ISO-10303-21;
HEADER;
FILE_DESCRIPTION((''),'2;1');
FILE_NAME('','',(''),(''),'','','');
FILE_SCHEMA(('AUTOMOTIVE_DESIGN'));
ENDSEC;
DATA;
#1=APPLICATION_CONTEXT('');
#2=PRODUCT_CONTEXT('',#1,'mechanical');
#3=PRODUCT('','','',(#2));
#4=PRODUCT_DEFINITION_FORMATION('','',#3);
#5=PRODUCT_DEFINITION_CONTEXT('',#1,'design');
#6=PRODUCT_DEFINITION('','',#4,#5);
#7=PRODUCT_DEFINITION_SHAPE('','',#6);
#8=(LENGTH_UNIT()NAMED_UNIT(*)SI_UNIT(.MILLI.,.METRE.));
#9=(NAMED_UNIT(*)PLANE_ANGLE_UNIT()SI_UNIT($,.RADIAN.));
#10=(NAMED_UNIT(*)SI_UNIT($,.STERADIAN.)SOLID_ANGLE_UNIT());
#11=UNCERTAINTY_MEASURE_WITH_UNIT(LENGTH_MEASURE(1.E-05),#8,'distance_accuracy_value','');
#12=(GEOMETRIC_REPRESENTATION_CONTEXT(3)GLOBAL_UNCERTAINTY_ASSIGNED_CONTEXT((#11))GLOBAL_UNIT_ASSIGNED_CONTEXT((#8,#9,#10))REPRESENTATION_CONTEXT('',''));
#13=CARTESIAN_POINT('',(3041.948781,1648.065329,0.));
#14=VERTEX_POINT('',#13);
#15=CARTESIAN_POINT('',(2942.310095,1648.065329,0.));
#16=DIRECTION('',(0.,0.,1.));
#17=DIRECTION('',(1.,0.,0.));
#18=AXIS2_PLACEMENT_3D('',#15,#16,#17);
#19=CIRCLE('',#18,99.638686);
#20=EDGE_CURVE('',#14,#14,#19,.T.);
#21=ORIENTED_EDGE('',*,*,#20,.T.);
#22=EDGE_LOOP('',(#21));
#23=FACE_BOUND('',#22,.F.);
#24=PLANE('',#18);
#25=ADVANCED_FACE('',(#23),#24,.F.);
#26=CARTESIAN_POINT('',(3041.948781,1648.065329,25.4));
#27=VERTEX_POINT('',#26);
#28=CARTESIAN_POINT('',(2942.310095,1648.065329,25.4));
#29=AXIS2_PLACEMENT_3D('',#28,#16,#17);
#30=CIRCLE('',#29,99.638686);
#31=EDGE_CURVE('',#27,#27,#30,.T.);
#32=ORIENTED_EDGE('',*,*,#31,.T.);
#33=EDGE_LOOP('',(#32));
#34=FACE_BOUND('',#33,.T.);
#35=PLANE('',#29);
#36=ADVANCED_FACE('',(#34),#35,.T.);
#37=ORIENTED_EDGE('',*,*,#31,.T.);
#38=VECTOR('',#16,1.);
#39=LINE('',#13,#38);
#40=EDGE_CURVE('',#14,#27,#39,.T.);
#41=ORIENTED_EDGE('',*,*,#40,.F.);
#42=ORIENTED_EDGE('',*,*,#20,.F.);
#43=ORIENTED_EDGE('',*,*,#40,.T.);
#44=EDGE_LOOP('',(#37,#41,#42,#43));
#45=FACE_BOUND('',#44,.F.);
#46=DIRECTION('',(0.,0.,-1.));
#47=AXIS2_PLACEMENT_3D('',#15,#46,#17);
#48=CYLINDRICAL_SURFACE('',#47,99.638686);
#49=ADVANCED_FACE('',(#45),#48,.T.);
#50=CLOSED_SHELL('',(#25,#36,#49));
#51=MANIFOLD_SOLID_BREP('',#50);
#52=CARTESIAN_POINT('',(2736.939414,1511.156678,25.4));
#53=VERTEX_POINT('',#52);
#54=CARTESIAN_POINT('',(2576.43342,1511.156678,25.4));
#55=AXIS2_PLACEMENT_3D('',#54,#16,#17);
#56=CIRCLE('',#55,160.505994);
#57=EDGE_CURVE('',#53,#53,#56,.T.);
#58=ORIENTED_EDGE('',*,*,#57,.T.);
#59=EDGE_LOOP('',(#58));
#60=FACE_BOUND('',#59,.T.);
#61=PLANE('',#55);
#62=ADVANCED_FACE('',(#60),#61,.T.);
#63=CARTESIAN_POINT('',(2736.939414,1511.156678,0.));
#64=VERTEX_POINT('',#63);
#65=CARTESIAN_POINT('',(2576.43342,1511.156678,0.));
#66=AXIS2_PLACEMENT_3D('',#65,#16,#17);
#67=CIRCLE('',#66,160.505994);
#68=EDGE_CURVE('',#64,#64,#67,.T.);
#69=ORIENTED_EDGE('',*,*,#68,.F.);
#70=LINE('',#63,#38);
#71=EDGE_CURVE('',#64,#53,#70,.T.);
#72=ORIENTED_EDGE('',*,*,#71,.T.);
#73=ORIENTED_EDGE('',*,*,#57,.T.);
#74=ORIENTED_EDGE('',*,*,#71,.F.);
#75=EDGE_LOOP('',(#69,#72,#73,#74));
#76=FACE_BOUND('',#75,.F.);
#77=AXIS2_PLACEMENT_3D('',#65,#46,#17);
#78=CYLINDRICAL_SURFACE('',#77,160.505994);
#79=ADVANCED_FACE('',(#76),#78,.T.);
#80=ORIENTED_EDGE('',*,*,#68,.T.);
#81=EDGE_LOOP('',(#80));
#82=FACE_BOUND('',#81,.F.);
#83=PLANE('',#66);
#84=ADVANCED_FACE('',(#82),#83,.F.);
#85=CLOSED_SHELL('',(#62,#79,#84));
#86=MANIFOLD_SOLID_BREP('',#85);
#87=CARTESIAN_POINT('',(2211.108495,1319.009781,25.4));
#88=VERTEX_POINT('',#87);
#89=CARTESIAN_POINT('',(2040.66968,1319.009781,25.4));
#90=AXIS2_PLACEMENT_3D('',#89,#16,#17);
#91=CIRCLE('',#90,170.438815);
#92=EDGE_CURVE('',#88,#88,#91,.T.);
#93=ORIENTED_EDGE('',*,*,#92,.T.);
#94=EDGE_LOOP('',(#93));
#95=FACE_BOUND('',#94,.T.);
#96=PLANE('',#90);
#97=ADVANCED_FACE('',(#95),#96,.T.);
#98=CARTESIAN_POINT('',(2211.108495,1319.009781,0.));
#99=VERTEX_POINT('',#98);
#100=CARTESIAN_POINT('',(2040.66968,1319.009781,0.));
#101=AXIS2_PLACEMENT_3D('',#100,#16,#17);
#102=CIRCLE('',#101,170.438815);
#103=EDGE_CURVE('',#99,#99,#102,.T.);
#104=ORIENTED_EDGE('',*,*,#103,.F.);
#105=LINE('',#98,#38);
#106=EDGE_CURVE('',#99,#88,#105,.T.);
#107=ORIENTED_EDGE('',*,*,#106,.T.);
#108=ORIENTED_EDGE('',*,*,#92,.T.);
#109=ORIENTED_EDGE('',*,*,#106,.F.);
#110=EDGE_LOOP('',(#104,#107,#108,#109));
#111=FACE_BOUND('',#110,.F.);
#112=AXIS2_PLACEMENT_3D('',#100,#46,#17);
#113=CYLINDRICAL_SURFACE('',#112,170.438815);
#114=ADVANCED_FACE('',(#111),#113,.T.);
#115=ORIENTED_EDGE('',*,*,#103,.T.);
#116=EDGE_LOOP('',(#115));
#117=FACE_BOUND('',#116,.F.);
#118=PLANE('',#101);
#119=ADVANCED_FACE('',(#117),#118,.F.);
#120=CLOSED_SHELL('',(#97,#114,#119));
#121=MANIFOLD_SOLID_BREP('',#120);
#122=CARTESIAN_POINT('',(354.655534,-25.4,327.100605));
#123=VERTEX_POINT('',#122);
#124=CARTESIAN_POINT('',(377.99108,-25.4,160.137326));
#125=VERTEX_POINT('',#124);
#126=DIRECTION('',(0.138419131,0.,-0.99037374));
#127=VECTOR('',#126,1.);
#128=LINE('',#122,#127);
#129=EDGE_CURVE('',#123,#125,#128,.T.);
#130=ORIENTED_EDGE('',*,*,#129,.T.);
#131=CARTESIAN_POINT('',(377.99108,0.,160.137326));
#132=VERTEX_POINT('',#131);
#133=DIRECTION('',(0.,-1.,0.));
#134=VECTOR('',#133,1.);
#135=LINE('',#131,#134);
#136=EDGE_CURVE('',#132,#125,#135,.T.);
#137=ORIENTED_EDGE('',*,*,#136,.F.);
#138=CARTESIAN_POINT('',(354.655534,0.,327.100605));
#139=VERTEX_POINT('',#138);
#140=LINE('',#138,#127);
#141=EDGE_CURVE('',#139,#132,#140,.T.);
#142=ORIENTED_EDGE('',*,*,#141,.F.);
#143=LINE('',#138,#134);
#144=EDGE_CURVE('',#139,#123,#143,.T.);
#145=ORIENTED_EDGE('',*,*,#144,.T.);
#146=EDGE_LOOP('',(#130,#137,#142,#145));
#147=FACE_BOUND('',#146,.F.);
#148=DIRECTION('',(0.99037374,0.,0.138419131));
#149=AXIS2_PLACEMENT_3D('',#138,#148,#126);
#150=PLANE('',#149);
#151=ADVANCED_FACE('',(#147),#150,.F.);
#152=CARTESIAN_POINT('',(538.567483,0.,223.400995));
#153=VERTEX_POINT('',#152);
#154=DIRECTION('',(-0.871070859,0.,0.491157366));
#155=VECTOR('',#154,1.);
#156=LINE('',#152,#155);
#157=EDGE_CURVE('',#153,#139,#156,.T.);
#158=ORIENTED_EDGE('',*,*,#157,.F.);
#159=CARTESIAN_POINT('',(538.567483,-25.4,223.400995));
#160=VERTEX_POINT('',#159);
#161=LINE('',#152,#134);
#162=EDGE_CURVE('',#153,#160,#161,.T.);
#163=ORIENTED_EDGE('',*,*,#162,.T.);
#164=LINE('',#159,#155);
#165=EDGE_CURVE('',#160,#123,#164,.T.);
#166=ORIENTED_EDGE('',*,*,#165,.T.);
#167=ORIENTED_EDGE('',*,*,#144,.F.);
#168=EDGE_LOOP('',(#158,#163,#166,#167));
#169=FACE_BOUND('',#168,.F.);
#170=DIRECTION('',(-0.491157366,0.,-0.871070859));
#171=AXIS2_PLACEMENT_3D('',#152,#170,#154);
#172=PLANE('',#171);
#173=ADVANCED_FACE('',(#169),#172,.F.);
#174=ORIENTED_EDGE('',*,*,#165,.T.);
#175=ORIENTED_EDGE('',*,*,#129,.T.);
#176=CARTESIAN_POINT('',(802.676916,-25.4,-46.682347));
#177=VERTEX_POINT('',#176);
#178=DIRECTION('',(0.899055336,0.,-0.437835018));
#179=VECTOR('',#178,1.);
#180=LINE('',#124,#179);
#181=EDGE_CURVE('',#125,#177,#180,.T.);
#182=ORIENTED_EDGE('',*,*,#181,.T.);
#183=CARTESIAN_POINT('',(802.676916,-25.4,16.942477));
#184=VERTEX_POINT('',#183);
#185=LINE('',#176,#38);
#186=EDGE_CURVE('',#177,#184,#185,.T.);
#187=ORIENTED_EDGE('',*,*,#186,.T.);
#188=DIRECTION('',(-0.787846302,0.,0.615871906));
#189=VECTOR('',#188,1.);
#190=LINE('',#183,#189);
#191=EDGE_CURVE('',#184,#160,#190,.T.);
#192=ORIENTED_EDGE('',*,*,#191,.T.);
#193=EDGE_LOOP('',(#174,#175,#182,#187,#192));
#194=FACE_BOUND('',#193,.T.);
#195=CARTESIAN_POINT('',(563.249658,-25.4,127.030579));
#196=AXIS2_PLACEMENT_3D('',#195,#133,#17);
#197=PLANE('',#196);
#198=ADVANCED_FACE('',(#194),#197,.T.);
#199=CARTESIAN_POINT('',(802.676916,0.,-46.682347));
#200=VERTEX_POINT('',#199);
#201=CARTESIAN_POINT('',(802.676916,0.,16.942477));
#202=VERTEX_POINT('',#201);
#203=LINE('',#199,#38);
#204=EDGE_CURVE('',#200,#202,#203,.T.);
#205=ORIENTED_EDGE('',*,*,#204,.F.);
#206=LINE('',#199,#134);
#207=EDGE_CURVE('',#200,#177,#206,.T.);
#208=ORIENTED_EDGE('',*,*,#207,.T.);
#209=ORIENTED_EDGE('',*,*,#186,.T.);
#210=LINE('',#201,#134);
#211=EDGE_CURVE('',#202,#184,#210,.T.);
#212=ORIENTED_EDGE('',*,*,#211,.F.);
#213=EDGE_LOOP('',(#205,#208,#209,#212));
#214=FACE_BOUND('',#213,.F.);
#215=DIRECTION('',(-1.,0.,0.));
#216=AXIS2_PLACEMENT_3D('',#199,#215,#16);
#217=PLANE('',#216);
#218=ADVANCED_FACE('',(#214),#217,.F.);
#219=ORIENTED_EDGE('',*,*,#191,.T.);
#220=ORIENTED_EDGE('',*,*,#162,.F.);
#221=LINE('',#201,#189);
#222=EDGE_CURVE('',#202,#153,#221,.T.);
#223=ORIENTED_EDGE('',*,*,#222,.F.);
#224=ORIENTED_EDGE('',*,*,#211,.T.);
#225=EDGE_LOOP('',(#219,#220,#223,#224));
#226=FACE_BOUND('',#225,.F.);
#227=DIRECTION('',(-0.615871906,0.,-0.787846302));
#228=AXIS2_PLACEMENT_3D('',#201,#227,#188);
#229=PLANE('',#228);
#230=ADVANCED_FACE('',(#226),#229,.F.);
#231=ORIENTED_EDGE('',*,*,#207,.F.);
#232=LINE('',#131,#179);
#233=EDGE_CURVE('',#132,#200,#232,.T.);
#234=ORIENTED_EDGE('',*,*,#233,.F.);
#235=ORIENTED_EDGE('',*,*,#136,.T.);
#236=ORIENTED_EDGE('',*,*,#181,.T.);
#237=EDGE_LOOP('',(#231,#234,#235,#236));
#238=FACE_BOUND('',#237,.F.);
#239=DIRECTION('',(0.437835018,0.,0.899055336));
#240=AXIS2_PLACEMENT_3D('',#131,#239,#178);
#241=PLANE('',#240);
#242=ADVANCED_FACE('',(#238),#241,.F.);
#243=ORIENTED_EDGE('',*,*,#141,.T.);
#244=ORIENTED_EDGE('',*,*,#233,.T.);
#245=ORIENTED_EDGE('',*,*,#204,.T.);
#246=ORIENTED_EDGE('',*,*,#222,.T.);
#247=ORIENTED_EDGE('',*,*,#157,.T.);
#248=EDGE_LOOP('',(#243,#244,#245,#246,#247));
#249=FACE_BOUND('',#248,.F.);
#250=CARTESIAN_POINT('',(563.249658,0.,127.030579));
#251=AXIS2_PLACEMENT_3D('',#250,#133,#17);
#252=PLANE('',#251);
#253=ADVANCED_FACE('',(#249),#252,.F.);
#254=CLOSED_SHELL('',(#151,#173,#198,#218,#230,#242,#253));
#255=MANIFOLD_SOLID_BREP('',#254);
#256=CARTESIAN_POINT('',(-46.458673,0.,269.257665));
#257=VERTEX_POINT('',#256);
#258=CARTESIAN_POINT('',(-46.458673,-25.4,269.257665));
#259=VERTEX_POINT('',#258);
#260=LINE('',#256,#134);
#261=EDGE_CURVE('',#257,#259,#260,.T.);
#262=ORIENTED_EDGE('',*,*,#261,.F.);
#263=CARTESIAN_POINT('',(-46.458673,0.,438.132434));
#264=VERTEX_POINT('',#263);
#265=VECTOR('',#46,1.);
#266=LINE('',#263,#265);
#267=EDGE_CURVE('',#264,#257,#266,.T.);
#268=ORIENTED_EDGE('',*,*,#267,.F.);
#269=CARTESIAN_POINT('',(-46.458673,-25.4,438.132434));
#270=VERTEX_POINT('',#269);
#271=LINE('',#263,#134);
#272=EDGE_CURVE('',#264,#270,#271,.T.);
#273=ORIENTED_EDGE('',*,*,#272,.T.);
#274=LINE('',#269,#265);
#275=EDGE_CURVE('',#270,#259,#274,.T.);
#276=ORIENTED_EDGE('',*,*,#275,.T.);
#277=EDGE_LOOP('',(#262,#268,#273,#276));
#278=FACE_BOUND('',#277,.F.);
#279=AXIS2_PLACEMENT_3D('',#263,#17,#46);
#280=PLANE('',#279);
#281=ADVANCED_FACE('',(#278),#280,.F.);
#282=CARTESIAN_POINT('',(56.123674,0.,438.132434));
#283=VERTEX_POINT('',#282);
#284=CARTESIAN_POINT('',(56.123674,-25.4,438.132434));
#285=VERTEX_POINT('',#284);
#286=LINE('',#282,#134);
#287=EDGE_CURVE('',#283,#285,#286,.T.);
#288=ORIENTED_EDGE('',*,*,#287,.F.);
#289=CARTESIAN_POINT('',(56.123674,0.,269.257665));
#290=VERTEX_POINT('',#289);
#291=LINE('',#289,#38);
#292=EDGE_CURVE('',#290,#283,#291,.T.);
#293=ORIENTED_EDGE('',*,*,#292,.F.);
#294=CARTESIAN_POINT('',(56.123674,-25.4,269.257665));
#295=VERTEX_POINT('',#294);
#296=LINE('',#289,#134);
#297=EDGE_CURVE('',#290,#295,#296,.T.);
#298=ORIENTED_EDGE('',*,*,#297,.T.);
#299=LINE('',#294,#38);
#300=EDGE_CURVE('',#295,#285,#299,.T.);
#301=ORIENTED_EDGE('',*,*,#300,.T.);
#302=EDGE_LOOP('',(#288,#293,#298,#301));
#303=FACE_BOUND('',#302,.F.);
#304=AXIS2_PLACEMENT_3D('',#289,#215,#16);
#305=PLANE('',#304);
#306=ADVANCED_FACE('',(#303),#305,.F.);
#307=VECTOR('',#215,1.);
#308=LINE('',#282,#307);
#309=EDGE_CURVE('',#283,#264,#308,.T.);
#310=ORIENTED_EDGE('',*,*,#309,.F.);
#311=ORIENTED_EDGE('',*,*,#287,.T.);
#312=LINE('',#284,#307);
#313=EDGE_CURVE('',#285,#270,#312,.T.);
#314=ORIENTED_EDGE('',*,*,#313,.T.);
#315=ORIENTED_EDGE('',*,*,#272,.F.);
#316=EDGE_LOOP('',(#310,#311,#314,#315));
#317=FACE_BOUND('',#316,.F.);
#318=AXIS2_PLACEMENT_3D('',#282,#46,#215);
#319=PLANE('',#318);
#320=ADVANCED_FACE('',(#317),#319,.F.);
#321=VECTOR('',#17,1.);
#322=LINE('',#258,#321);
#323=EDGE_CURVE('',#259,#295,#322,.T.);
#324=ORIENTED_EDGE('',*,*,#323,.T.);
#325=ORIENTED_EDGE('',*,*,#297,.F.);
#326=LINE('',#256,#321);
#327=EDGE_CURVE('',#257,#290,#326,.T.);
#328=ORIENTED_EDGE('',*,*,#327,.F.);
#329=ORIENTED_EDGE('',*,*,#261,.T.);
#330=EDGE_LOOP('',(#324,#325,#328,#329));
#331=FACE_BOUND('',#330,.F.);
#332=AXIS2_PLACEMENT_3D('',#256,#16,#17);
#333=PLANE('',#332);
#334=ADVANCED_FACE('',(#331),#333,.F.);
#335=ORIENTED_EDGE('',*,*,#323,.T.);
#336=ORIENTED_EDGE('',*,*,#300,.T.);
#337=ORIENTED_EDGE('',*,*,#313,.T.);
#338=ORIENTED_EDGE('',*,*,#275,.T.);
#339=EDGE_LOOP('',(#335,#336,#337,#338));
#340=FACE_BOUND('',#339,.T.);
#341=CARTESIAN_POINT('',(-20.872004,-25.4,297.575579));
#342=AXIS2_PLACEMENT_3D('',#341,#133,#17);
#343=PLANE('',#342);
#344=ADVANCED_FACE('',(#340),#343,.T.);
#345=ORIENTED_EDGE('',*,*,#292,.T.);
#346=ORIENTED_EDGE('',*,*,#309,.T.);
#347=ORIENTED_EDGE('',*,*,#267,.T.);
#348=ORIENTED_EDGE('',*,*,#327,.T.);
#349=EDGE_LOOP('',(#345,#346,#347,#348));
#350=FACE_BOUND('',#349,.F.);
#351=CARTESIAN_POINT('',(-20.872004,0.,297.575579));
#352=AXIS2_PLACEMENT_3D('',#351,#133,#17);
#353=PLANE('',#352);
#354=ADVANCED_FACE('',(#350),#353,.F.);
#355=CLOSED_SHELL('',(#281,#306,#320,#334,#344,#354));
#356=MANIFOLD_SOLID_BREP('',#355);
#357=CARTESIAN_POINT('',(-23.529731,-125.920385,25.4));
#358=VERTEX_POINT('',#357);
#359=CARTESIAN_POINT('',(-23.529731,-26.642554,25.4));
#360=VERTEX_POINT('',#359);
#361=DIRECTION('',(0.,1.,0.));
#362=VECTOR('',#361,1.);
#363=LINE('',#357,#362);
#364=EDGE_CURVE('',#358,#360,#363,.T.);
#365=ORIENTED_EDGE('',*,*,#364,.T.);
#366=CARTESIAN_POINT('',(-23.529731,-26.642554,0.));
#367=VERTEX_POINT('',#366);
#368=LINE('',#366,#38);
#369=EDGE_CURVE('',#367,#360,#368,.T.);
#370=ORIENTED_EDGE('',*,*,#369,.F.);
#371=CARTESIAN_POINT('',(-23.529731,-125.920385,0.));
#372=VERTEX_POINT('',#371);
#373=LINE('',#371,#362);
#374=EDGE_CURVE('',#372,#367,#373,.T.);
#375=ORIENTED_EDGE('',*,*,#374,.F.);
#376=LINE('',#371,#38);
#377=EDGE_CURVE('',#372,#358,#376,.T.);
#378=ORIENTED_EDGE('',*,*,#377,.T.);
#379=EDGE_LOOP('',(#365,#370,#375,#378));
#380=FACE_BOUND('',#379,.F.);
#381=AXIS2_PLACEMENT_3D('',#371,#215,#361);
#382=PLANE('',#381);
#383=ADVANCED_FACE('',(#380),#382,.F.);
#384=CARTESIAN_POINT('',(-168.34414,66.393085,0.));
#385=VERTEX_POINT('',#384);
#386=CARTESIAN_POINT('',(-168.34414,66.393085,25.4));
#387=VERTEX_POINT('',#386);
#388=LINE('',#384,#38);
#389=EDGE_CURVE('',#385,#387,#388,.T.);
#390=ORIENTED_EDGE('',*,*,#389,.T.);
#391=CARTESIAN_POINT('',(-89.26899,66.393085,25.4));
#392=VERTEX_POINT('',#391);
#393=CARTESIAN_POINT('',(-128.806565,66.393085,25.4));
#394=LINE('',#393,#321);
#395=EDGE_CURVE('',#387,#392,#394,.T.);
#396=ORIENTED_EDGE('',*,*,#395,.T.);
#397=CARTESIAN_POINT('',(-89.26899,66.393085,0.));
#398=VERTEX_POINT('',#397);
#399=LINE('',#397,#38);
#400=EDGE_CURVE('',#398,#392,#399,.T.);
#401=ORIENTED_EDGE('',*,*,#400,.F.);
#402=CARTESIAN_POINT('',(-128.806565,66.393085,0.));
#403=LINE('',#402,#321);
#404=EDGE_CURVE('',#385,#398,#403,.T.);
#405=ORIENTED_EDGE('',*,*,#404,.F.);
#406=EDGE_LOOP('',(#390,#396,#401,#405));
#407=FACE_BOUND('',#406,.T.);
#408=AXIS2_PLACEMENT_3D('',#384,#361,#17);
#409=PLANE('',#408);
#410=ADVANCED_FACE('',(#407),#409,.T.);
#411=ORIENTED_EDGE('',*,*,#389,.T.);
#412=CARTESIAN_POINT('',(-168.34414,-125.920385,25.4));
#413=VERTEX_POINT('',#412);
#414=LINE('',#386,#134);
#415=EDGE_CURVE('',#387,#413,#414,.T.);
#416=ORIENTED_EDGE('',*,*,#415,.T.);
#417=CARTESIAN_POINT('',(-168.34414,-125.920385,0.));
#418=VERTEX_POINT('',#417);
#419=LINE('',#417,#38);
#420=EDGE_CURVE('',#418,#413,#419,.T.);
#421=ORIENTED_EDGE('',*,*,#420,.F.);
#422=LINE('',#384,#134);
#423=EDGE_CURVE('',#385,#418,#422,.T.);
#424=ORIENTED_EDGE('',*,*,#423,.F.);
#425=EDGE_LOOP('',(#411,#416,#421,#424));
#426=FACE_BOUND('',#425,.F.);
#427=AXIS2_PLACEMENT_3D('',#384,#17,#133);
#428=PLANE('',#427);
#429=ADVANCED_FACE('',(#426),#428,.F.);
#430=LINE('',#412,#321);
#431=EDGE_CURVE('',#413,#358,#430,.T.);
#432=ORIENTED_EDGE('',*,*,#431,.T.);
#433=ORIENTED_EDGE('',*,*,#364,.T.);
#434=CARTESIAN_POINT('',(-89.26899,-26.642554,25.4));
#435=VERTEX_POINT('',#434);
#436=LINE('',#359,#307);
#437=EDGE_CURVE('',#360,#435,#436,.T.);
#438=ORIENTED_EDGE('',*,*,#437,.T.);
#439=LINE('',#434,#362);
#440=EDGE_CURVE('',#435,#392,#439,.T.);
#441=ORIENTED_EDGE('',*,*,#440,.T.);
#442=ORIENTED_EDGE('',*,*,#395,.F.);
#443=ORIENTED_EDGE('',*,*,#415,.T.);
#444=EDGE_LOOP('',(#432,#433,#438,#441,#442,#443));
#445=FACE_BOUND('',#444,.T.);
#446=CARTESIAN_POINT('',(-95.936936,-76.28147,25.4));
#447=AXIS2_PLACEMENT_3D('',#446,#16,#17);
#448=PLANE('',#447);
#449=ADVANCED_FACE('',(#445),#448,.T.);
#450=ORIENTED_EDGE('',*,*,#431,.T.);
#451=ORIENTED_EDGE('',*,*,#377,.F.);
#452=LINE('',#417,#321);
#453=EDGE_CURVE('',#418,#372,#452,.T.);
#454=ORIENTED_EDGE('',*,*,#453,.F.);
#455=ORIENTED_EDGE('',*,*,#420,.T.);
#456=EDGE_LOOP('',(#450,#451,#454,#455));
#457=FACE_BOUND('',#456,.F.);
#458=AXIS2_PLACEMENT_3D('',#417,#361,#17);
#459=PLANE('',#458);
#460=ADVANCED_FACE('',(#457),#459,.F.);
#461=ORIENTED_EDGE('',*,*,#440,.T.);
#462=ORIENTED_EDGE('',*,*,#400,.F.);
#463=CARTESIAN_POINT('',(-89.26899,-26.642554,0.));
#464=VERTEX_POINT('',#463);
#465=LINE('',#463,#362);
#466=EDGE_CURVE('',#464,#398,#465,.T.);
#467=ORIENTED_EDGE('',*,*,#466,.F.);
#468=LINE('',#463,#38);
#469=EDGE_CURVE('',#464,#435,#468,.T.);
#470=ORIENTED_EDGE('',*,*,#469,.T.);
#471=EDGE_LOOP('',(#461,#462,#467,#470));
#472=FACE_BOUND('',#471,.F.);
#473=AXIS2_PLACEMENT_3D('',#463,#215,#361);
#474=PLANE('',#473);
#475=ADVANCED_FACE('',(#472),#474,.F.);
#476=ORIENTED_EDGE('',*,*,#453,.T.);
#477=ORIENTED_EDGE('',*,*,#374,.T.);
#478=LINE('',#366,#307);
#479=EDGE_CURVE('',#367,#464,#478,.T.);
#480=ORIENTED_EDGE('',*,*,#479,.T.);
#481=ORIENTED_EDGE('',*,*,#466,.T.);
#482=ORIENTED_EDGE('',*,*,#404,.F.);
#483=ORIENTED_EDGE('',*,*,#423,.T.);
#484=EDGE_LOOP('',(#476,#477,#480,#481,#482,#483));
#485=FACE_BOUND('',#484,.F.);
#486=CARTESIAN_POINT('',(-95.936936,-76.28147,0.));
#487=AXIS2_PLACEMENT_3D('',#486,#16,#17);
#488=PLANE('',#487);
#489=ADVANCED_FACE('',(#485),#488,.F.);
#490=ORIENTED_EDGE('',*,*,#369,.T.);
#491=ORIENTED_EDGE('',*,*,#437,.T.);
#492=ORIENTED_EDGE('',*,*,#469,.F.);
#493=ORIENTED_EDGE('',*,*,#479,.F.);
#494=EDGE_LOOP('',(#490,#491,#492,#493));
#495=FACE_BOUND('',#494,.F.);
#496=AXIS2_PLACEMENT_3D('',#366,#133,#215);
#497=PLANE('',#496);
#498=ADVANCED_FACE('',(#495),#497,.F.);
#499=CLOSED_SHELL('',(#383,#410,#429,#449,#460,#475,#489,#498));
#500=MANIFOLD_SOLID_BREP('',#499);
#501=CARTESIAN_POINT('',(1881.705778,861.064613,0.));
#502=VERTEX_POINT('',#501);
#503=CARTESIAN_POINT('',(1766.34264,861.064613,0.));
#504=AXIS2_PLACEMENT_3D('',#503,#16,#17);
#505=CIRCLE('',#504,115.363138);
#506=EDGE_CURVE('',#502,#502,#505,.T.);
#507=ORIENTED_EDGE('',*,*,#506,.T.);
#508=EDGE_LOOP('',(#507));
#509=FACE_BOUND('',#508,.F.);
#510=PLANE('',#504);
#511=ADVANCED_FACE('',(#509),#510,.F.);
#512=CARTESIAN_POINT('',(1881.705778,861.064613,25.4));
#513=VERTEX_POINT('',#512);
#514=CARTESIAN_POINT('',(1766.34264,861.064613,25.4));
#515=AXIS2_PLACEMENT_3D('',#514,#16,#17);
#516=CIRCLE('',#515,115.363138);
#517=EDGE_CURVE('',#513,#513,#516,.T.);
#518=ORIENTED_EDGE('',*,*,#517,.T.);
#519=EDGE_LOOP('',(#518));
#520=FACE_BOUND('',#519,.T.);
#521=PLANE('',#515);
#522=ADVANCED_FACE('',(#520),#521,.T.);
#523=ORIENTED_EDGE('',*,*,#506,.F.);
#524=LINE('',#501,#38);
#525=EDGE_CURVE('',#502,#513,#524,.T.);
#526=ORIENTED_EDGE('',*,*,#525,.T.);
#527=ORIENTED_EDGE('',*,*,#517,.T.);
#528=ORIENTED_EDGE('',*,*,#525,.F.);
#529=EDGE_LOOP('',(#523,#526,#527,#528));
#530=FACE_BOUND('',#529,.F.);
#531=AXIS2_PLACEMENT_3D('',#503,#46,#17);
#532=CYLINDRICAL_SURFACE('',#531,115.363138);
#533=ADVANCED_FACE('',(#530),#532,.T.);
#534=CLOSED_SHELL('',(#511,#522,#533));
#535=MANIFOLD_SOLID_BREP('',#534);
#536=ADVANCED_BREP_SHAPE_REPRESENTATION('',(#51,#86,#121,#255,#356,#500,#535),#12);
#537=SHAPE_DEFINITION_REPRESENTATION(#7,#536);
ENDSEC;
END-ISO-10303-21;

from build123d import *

# Parameters (mm, degrees)
F0_W     = 79.07515
F0_H     = 26.642554
F0_H_2   = 66.393085
F1_DEPTH = 25.4
F2_W     = 51.173338
F2_H     = 56.635827
F2_W_2   = 51.409009
F2_H_2   = 112.238943
F3_DEPTH = 25.4
F5_DEPTH = 25.4
F6_R     = 170.438815
F6_R_2   = 160.505994
F6_R_3   = 115.363138
F6_R_4   = 99.638686
F7_DEPTH = 25.4


with BuildPart() as f1:
    # F0 (on Top) → F1 (new body)
    with BuildSketch(Plane.XY):
        Polygon((-168.34414, -26.642554), (-168.34414, -125.920385), (-23.529731, -125.920385), (-23.529731, -26.642554), (-89.26899, -26.642554), align=None)
        with Locations((-128.806565, -13.321277)):
            Rectangle(F0_W, F0_H)
        with Locations((-128.806565, 33.196542)):
            Rectangle(F0_W, F0_H_2)
    extrude(amount=F1_DEPTH)


with BuildPart() as f3:
    # F2 (on Front) → F3 (new body)
    with BuildSketch(Plane.XZ):
        with Locations((-20.872004, 297.575579)):
            Rectangle(F2_W, F2_H)
        with Locations((30.419169, 297.575579)):
            Rectangle(F2_W_2, F2_H)
        with Locations((-20.872004, 382.012963)):
            Rectangle(F2_W, F2_H_2)
        with Locations((30.419169, 382.012963)):
            Rectangle(F2_W_2, F2_H_2)
    extrude(amount=F3_DEPTH)


with BuildPart() as f5:
    # F4 (on Front) → F5 (new body)
    with BuildSketch(Plane.XZ):
        Polygon((538.567483, 223.400995), (354.655534, 327.100605), (377.99108, 160.137326), (802.676916, -46.682347), (802.676916, 16.942477), (538.567483, 148.019239), align=None)
        Polygon((802.676916, 16.942477), (538.567483, 223.400995), (538.567483, 148.019239), align=None)
    extrude(amount=F5_DEPTH)


with BuildPart() as f7:
    # F6 (on Top) → F7 (new body)
    with BuildSketch(Plane.XY):
        with Locations((2040.66968, 1319.009781)):
            Circle(F6_R)
        with Locations((2576.43342, 1511.156678)):
            Circle(F6_R_2)
        with Locations((1766.34264, 861.064613)):
            Circle(F6_R_3)
        with Locations((2942.310095, 1648.065329)):
            Circle(F6_R_4)
    extrude(amount=F7_DEPTH)


solid = Compound([f1.part, f3.part, f5.part, f7.part])
